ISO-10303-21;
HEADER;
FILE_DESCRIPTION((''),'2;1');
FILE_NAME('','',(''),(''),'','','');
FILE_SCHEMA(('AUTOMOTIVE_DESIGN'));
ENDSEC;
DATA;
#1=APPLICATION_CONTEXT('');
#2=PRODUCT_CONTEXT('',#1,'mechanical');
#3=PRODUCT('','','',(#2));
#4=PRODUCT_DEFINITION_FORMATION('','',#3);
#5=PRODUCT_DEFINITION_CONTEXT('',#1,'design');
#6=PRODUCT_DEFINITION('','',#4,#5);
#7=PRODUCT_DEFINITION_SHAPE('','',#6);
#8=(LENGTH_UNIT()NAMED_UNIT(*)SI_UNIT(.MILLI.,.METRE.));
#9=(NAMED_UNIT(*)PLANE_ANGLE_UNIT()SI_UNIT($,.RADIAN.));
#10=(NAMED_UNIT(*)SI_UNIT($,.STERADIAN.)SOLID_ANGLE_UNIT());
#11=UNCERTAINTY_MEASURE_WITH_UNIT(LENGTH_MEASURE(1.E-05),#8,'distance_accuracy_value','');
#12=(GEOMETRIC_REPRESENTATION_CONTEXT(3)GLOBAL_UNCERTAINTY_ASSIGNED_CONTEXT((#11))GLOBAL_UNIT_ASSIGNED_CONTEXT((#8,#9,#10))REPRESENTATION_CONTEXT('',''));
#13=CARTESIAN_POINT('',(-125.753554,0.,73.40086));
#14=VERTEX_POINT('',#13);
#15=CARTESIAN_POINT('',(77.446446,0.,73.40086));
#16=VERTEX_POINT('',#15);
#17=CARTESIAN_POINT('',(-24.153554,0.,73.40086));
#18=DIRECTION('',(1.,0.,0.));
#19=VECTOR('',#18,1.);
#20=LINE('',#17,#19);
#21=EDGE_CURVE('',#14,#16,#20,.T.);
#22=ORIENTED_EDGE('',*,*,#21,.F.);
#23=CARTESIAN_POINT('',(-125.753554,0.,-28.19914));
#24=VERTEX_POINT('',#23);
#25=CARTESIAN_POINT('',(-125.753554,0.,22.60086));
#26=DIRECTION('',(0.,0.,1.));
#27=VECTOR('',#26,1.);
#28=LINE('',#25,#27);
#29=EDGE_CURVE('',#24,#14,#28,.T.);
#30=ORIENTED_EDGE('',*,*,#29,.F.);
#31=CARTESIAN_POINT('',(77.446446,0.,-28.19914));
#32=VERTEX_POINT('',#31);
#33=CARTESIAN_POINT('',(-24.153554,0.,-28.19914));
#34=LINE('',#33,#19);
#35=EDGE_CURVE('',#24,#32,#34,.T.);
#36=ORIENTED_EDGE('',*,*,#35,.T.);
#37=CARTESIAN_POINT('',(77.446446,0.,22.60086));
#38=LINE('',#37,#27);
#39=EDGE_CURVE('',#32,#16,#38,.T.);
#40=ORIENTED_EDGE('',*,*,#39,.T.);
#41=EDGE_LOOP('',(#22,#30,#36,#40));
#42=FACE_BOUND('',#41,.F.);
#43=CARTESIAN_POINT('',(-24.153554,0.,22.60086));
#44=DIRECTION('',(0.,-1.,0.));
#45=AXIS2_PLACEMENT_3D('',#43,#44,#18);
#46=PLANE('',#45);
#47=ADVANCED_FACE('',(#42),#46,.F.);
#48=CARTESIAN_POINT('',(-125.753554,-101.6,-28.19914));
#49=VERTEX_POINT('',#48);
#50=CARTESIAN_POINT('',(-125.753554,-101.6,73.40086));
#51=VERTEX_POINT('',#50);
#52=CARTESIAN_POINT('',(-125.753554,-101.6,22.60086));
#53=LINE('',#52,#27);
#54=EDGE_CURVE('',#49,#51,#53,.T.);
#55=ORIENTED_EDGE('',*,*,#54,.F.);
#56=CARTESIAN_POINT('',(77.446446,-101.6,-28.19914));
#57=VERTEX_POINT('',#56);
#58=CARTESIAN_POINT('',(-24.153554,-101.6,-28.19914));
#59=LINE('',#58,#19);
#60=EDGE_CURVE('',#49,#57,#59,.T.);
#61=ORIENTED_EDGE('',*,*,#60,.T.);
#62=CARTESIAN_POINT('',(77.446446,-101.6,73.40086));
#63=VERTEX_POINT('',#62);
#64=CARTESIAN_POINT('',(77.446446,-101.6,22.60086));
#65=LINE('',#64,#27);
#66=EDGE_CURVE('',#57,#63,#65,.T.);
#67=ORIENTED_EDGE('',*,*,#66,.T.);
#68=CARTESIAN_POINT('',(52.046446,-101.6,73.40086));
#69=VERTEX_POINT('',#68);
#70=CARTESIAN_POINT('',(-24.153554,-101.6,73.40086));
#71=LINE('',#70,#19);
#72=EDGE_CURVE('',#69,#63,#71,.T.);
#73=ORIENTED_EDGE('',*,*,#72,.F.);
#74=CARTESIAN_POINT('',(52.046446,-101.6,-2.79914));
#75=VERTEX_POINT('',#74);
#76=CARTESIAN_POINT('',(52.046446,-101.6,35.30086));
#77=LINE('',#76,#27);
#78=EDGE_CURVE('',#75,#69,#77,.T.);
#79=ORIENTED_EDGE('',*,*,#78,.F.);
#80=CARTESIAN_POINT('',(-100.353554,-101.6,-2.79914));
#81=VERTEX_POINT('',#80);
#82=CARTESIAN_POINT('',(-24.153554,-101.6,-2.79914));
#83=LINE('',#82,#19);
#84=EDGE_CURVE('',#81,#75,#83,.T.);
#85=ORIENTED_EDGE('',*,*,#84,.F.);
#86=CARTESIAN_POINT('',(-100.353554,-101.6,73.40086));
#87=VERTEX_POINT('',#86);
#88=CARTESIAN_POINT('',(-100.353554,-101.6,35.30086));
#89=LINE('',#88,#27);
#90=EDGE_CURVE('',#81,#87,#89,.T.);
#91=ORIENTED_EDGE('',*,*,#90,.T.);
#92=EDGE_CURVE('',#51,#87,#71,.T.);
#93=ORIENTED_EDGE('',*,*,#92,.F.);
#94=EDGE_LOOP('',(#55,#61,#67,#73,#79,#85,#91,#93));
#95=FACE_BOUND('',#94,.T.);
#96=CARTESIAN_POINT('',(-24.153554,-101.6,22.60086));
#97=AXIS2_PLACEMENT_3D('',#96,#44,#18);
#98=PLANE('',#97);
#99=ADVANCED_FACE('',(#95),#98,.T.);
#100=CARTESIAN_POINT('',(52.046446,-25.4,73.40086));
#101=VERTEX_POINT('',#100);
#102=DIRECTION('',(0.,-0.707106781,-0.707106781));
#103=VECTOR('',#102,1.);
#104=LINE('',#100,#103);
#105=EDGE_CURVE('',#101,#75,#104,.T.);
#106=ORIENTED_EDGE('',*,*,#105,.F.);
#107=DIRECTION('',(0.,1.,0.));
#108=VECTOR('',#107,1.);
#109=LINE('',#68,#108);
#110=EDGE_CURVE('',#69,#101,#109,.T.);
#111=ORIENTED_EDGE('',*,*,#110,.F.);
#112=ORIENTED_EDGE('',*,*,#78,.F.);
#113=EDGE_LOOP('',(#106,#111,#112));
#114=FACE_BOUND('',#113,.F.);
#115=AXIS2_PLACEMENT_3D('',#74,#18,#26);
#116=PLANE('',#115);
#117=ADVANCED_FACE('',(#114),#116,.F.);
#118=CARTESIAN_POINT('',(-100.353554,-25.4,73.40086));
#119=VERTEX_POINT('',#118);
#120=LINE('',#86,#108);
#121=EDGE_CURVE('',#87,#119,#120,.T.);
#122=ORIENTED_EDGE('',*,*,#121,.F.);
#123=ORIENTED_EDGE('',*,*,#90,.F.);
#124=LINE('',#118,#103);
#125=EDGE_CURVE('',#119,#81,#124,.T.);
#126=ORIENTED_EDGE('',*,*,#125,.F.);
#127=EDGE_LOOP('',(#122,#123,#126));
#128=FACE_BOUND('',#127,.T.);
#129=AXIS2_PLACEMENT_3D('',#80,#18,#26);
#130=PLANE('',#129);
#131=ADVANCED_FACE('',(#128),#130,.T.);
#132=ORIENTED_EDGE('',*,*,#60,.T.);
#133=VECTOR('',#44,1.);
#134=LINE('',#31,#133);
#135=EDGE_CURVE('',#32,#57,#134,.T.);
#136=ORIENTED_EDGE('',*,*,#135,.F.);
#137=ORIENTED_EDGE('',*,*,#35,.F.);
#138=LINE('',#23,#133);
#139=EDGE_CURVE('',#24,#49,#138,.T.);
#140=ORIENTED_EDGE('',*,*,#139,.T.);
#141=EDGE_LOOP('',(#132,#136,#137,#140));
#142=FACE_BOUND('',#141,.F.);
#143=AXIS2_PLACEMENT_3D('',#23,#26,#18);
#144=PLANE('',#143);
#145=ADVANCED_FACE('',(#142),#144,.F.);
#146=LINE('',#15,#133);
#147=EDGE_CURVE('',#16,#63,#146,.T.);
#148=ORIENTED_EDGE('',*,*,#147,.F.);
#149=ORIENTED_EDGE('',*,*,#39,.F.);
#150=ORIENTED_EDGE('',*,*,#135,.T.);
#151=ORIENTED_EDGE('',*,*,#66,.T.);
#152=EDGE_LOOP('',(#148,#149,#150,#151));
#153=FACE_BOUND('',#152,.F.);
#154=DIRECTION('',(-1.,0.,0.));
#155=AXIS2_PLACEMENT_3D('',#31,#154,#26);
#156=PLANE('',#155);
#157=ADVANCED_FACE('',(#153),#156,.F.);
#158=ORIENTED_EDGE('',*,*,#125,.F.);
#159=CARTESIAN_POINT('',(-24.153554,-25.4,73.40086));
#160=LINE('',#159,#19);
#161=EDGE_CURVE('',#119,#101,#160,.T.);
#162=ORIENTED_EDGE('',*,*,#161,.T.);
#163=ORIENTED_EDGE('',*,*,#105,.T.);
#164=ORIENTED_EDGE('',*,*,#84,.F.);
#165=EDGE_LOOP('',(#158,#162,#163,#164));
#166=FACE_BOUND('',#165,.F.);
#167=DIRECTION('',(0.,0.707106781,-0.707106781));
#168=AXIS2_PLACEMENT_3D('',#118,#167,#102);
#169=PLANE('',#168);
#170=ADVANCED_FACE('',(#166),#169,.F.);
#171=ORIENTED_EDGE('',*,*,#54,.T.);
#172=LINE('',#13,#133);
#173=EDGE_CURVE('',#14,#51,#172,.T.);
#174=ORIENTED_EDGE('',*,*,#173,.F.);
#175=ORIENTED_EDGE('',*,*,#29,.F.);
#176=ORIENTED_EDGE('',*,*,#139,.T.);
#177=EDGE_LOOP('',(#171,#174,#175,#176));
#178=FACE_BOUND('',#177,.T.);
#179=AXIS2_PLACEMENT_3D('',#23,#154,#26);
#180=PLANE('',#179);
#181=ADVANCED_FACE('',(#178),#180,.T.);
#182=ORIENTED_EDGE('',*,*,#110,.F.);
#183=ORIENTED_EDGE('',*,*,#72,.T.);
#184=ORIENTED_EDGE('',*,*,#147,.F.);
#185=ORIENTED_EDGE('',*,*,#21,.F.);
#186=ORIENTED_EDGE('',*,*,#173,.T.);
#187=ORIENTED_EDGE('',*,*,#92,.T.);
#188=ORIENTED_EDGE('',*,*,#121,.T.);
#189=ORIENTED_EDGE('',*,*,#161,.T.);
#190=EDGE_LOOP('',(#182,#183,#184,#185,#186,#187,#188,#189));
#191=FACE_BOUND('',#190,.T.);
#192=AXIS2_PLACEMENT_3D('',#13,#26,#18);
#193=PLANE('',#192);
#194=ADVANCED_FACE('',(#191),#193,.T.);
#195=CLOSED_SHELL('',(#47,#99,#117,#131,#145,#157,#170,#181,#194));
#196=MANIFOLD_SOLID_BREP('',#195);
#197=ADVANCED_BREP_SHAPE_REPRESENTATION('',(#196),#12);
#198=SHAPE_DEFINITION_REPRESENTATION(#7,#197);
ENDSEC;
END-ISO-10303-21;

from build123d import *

# Parameters (mm, degrees)
F0_W     = 203.2
F0_H     = 101.6
F1_DEPTH = 101.6
F2_W     = 152.4
F2_H     = 76.2
F3_DEPTH = 76.2
F5_DEPTH = 152.4


with BuildPart() as f1:
    # F0 (on Front) → F1 (new body)
    with BuildSketch(Plane.XZ):
        with Locations((-24.153554, 22.60086)):
            Rectangle(F0_W, F0_H)
    extrude(amount=F1_DEPTH)

    # F2 (on face) → F3 (cut)
    with BuildSketch(Plane.XZ.offset(101.6)):
        with Locations((-24.153554, 35.30086)):
            Rectangle(F2_W, F2_H)
    extrude(amount=-F3_DEPTH, mode=Mode.SUBTRACT)

    # F4 (on face) → F5 (join)
    with BuildSketch(Plane.YZ.offset(-100.353554)):
        Polygon((-25.4, 73.40086), (-101.6, -2.79914), (-25.4, -2.79914), align=None)
    extrude(amount=F5_DEPTH)


solid = f1.part
